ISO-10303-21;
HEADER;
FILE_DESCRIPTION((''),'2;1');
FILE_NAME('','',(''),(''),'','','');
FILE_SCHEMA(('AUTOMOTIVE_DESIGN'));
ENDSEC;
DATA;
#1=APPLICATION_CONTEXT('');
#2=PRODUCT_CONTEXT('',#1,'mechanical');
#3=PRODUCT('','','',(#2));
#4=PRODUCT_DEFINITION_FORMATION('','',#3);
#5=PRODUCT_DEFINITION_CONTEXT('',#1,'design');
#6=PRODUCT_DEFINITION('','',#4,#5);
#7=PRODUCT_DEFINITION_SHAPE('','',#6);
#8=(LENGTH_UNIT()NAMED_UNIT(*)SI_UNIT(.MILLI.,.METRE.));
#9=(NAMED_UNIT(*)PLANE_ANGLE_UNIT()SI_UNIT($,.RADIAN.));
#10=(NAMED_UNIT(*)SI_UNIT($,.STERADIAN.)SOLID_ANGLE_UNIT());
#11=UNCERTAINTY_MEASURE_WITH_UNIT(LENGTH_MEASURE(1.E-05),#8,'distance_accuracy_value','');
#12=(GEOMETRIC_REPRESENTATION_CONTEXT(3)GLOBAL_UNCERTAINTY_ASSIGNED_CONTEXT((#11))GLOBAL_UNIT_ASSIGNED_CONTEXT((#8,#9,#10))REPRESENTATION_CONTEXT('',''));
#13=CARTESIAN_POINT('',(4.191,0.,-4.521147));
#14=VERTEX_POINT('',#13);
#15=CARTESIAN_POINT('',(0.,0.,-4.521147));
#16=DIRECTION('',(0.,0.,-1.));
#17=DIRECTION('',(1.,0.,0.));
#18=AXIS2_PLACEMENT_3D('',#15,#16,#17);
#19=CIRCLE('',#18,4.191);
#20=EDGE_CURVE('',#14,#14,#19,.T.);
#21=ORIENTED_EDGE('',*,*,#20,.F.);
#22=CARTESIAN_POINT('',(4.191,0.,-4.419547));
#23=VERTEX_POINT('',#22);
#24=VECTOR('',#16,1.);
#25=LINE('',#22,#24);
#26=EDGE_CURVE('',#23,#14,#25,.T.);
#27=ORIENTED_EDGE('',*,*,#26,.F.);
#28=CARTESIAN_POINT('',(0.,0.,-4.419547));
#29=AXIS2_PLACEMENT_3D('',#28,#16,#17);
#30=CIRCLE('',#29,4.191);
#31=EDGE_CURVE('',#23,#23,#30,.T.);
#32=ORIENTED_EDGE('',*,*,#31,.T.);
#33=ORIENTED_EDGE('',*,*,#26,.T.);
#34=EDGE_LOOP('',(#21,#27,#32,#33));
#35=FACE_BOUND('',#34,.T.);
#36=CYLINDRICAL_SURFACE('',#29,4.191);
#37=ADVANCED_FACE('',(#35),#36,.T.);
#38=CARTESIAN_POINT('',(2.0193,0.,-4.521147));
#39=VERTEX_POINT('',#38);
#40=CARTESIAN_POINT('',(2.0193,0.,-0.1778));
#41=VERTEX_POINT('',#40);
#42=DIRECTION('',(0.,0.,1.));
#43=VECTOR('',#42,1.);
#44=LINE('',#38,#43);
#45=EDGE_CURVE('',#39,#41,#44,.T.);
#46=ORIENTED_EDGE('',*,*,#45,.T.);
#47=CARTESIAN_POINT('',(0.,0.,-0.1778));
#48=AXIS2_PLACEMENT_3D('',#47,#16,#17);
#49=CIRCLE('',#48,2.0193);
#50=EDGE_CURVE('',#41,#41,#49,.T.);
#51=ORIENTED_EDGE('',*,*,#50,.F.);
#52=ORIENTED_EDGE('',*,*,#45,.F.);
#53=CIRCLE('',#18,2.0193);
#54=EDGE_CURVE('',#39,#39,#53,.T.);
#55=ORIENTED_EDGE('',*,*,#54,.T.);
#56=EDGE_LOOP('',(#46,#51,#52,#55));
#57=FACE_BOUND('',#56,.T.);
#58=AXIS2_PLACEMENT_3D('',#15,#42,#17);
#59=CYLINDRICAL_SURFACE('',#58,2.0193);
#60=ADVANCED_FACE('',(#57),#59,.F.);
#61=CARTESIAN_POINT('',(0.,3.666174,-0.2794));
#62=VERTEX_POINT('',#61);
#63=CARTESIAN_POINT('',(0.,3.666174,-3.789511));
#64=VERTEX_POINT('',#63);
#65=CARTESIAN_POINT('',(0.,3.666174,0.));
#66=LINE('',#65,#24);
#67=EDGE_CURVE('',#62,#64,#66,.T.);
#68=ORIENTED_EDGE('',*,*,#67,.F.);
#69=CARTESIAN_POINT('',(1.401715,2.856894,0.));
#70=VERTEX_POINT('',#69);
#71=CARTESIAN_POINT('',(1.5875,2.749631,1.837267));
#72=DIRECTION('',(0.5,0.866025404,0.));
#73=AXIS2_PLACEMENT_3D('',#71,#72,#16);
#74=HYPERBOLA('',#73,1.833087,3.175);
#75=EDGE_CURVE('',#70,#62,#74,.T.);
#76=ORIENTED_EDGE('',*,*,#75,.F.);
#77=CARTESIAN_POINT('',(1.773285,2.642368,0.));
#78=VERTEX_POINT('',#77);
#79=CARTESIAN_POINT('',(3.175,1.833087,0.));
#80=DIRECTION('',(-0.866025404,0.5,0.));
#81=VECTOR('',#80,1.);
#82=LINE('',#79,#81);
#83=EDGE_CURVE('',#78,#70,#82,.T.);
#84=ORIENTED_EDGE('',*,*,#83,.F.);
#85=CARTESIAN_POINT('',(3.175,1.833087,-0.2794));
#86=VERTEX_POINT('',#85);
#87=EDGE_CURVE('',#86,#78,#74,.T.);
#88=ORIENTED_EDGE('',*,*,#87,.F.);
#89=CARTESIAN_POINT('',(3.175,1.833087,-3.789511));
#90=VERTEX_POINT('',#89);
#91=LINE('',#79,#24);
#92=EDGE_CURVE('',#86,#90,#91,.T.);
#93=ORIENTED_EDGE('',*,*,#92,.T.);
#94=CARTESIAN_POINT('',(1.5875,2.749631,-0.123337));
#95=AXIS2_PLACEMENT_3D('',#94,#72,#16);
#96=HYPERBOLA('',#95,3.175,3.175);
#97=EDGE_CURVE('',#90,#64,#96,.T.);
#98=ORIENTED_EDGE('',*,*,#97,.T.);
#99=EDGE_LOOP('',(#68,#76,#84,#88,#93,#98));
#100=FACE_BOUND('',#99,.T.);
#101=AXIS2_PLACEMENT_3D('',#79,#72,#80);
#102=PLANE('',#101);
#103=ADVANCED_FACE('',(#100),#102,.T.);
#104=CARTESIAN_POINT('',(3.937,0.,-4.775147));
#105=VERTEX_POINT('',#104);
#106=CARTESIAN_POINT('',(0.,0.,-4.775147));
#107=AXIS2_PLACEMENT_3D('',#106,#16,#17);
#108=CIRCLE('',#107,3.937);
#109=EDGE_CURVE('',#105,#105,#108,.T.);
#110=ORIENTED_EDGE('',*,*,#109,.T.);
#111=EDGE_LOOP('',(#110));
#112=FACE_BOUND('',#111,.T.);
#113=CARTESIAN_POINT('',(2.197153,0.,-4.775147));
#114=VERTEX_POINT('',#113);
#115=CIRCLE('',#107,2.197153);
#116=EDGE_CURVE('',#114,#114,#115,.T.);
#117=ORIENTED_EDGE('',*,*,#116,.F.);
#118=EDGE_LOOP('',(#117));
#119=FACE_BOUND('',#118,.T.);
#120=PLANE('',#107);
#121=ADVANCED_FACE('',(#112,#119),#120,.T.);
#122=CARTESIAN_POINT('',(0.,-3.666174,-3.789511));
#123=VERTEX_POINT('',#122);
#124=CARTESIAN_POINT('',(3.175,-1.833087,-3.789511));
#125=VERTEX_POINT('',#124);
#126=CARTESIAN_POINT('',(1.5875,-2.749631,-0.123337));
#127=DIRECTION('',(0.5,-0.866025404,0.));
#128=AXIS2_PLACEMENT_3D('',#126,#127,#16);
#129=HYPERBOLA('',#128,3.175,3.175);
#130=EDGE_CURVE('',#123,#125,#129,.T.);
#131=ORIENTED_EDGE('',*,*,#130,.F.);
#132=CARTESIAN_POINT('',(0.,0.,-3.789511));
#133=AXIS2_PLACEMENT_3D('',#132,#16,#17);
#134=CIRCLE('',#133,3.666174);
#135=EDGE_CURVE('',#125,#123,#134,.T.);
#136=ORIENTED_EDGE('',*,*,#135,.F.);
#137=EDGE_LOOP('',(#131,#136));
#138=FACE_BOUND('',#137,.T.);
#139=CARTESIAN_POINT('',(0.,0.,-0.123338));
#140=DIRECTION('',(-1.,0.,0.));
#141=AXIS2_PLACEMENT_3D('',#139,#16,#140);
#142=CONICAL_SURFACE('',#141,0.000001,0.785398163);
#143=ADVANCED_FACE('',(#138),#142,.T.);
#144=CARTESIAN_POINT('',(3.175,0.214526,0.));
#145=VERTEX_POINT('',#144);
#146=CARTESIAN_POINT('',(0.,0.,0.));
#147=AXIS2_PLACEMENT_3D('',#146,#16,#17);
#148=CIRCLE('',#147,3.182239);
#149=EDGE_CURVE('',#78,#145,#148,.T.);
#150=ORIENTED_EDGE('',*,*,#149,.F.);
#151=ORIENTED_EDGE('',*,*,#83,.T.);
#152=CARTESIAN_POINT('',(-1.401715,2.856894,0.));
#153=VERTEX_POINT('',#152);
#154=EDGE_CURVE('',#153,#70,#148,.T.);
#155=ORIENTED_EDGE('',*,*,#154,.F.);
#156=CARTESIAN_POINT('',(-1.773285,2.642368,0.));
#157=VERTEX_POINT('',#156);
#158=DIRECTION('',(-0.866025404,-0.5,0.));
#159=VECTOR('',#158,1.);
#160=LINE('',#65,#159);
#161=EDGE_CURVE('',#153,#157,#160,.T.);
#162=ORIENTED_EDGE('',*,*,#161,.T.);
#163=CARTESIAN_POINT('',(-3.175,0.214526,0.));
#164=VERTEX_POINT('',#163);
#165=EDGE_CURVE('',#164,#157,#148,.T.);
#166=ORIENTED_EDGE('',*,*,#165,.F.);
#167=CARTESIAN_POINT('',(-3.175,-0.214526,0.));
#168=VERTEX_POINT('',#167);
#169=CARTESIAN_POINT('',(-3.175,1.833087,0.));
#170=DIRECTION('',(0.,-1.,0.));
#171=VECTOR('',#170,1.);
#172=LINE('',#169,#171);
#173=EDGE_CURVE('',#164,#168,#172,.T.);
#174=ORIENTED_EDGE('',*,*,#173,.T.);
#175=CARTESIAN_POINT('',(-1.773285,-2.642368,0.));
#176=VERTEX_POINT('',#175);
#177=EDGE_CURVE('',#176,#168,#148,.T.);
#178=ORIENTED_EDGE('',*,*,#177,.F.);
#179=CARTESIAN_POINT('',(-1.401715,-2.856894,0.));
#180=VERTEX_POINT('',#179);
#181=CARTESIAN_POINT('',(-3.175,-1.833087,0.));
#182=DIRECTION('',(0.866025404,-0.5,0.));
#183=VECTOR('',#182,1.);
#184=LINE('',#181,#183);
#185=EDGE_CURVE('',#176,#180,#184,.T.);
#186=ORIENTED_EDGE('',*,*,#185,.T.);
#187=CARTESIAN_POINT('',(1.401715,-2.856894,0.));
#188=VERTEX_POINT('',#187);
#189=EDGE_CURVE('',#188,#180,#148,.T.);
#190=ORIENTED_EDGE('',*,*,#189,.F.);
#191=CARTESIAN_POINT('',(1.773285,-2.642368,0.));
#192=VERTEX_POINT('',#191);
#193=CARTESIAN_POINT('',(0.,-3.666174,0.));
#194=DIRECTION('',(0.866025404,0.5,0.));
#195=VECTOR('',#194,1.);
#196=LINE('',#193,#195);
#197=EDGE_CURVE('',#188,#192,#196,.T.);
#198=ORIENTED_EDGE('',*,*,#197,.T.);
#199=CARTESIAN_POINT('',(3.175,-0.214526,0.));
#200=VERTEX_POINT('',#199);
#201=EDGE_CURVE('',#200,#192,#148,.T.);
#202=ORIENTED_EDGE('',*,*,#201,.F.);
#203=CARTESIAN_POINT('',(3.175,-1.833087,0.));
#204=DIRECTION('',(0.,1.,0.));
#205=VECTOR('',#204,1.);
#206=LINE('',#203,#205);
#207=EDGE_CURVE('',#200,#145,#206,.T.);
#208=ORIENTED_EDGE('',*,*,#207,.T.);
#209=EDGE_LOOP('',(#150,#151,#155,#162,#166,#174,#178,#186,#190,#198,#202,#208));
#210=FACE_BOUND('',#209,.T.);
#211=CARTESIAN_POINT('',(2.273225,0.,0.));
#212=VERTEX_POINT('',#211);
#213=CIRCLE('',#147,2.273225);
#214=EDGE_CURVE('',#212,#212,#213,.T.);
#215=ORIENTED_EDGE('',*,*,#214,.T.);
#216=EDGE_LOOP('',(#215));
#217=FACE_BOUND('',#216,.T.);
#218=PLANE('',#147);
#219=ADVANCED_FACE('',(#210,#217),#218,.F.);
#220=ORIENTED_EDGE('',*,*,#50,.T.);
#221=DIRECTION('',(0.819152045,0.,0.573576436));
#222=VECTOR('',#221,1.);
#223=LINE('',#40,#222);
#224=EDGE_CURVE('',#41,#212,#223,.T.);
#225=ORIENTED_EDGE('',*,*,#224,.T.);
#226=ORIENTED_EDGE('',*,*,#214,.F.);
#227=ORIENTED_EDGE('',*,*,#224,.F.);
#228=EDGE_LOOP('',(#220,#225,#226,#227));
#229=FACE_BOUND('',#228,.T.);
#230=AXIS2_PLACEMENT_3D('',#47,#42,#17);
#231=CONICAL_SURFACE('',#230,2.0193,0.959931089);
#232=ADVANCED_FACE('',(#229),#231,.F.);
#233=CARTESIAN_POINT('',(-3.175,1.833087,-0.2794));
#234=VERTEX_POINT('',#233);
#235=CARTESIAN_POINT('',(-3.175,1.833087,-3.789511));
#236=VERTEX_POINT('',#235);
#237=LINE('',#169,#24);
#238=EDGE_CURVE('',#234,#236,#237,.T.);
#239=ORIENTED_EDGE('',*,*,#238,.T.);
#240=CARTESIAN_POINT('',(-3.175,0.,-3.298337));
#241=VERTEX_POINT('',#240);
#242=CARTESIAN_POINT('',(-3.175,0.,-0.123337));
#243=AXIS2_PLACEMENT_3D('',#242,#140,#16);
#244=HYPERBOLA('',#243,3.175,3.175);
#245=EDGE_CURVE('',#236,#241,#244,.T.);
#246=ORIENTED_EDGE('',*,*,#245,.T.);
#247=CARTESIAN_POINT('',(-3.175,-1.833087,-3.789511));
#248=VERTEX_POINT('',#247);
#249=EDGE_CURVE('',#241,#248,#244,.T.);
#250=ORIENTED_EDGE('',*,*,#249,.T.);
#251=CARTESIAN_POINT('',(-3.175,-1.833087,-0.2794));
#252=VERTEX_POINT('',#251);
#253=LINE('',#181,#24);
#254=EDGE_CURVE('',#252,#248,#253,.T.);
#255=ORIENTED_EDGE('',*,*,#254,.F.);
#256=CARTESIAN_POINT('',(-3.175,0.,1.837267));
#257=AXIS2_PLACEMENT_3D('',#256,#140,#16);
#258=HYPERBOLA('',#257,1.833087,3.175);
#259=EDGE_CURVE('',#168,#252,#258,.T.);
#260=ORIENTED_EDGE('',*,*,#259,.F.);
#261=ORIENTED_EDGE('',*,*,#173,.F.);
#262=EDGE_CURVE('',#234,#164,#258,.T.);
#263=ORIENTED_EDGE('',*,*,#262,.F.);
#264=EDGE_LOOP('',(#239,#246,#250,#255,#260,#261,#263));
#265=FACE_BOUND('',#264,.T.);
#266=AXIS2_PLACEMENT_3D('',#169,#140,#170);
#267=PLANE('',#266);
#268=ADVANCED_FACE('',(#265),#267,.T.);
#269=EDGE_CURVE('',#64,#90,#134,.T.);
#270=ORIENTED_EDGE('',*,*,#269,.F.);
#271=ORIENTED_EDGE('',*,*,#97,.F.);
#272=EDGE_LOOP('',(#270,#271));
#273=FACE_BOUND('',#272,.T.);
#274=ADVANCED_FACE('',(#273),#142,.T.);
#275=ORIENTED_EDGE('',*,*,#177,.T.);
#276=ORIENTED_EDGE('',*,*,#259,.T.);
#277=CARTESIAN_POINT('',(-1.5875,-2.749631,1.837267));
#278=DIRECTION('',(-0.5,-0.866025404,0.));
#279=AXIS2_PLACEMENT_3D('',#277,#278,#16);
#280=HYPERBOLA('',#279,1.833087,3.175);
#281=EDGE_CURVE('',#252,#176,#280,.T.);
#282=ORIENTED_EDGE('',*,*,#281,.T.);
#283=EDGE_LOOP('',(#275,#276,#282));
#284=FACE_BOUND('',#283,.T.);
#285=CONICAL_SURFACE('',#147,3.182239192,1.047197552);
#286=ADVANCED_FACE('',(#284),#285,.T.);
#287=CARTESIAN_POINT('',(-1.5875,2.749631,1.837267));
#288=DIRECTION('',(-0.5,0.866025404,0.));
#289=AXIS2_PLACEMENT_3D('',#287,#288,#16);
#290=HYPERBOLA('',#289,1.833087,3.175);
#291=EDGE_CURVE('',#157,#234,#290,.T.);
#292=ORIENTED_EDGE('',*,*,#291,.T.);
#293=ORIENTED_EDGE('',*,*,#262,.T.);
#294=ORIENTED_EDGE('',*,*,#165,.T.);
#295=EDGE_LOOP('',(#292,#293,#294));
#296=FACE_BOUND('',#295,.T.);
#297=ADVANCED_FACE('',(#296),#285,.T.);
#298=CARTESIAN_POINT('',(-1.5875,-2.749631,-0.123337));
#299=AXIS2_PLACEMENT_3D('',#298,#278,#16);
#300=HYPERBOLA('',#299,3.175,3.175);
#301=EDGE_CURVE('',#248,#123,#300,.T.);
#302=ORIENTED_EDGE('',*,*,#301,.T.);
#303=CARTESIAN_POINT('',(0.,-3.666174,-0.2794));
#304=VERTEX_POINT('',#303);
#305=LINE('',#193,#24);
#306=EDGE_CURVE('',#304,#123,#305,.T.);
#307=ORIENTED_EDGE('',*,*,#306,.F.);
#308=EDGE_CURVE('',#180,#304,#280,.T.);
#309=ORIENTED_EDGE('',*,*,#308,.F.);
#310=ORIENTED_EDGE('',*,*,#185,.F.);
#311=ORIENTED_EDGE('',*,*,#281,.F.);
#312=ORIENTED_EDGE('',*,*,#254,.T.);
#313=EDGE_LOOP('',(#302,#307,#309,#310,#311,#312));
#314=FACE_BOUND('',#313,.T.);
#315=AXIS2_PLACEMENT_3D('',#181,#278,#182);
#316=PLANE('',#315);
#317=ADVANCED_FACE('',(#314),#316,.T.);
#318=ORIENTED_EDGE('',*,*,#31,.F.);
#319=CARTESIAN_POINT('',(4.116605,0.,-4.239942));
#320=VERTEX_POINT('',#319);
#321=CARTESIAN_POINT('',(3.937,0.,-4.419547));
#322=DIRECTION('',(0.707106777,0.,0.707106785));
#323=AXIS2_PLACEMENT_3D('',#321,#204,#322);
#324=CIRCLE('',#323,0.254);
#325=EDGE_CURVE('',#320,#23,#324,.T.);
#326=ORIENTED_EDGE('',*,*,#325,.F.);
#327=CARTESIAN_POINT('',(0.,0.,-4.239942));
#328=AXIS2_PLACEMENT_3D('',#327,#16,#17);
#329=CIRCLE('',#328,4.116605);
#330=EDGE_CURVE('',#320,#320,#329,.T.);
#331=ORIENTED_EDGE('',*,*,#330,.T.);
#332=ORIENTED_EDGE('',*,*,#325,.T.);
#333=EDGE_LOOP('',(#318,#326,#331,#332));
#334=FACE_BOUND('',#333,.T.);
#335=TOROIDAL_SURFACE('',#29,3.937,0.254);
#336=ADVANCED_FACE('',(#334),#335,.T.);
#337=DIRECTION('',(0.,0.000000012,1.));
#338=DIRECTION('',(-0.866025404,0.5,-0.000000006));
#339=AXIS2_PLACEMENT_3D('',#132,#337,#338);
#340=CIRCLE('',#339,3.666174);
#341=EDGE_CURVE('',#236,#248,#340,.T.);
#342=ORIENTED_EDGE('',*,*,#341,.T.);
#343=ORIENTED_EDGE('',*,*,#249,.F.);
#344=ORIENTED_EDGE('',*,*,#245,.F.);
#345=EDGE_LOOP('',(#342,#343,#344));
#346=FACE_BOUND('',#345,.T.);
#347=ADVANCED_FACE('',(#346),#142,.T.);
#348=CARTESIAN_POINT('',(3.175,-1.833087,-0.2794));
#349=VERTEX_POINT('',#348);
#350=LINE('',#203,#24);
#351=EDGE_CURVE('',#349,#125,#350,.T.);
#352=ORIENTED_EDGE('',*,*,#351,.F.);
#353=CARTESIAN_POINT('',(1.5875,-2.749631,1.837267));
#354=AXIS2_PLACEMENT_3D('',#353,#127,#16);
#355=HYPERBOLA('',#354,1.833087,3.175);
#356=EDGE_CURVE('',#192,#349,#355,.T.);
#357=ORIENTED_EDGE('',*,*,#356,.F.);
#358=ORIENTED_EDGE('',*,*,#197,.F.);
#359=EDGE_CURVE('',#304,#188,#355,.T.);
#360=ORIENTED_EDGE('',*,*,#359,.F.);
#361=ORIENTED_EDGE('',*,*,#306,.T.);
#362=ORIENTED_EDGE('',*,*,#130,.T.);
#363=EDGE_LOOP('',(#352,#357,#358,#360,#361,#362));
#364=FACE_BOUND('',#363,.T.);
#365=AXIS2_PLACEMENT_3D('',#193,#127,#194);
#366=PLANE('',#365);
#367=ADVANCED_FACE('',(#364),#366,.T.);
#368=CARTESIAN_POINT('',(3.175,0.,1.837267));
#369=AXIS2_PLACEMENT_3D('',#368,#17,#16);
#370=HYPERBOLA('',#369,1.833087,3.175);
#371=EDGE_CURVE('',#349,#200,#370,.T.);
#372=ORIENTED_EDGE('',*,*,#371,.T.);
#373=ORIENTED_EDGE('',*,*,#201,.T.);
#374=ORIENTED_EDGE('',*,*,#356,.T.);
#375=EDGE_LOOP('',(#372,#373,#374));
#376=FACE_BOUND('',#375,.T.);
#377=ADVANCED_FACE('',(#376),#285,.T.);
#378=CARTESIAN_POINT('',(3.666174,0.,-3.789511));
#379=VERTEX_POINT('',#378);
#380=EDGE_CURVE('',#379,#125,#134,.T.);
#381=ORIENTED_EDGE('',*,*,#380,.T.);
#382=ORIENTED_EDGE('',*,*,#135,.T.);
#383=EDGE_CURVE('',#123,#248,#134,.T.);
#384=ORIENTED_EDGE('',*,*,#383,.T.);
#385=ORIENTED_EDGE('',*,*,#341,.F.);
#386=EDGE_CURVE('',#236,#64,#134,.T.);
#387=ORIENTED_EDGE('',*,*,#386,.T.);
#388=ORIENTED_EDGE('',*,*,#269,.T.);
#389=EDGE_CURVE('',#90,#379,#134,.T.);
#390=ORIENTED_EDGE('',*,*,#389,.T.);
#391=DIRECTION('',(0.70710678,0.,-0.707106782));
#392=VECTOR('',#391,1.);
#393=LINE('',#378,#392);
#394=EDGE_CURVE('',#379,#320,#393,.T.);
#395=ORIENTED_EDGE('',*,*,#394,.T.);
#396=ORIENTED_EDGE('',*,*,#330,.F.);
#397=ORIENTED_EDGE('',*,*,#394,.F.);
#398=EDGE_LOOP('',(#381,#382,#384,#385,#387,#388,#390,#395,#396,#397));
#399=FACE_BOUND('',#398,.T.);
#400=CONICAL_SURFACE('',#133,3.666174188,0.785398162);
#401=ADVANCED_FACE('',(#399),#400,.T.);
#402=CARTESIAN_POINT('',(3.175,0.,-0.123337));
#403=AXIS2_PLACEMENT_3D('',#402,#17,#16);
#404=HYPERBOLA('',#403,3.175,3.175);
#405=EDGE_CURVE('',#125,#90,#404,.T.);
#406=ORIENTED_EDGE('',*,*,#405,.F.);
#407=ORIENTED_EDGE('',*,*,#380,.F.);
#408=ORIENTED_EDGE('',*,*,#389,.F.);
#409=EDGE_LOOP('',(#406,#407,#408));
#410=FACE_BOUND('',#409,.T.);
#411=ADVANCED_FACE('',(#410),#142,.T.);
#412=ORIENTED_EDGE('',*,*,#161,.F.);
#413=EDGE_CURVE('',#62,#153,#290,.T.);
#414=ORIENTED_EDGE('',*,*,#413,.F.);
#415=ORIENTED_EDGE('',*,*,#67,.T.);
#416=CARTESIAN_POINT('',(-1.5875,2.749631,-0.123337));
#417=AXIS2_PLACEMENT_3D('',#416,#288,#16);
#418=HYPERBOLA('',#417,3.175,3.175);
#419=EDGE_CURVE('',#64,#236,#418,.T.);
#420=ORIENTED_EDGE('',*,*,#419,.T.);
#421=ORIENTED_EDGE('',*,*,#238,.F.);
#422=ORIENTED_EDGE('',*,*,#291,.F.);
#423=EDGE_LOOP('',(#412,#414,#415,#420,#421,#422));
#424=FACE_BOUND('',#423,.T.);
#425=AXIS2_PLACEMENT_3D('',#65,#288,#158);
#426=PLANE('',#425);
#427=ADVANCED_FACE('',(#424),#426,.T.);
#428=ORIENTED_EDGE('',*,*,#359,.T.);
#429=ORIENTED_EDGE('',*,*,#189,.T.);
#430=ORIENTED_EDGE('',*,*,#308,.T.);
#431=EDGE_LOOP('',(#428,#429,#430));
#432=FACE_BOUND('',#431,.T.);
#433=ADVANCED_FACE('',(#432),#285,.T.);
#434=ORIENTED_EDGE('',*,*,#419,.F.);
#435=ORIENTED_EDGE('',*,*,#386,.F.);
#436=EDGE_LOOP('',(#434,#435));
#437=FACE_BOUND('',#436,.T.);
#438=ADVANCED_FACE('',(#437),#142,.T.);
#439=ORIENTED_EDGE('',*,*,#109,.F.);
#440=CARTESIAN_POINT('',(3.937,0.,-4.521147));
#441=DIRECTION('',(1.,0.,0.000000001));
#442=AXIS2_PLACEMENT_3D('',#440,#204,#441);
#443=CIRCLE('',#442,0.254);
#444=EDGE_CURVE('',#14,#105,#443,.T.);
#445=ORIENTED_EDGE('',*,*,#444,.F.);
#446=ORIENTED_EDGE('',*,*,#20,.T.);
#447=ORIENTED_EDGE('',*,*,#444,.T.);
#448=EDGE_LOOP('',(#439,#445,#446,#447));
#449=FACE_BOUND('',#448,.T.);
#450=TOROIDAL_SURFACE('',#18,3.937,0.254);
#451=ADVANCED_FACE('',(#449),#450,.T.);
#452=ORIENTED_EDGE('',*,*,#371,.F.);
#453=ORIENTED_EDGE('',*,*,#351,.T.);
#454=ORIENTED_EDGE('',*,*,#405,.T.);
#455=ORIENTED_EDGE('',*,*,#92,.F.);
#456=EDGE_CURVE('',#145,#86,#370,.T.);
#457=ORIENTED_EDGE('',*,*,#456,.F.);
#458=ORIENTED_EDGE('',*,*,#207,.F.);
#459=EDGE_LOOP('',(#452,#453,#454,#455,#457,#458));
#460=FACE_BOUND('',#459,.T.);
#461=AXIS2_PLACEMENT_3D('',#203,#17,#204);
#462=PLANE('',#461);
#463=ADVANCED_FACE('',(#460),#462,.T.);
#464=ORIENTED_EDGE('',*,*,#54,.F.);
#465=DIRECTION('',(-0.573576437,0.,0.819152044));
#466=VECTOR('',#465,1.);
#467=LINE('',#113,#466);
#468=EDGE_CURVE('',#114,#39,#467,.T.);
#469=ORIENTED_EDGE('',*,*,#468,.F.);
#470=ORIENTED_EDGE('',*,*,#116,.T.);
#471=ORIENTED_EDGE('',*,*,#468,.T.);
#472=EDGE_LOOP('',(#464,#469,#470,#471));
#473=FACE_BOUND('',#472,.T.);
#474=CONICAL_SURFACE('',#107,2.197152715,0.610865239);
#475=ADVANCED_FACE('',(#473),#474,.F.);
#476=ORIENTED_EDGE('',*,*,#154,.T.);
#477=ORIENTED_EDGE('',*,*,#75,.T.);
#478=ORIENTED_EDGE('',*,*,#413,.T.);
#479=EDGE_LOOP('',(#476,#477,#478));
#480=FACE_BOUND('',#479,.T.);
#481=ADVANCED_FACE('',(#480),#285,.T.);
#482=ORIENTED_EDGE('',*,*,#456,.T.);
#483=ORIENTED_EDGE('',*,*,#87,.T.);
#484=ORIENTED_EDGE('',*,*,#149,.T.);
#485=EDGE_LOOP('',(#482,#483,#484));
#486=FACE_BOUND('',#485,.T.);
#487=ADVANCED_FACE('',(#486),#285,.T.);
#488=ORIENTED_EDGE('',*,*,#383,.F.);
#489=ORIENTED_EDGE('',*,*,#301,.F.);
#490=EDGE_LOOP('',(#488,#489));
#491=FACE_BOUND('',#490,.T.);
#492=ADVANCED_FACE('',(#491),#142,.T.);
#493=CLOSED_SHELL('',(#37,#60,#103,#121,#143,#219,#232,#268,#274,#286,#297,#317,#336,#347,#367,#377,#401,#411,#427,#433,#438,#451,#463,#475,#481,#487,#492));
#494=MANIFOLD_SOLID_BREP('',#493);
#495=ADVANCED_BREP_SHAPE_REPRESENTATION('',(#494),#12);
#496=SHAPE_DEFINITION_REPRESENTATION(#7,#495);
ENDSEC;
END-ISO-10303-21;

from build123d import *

# Parameters (mm, degrees)
C_EXT_HEX_REACH = 9.611
SKETCH2_R       = 3.793174209


with BuildPart() as part:
    # Sketch1 → Revolve1 (revolve)
    with BuildSketch(Plane(origin=(0, 0, 0), x_dir=(0, -1, 0), z_dir=(1, 0, 0)), mode=Mode.PRIVATE) as revolve1_sk:
        with BuildLine():
            Line((2.273224716, 0), (3.182239192, 0))
            Line((3.182239192, 0), (3.666174188, 0.2794))
            Line((3.666174188, 0.2794), (3.666174188, 3.789511232))
            Line((3.666174188, 3.789511232), (4.116605118, 4.239942163))
            ThreePointArc((4.116605118, 4.239942163), (4.171665397, 4.322345693), (4.190999996, 4.419547285))
            Line((4.190999996, 4.419547285), (4.190999996, 4.521147285))
            ThreePointArc((4.190999996, 4.521147285), (4.116605118, 4.700752408), (3.936999996, 4.775147285))
            Line((3.936999996, 4.775147285), (2.197152715, 4.775147285))
            Line((2.197152715, 4.775147285), (2.0193, 4.521147285))
            Line((2.0193, 4.521147285), (2.0193, 0.1778))
            Line((2.0193, 0.1778), (2.273224716, 0))
        make_face()
    revolve(revolve1_sk.sketch.rotate(Axis((0, 0, 0), (0, 0, -1)), 270), axis=Axis((0, 0, 0), (0, 0, -1)))

    # C-Ext Hex: up to this cone (the profile starts outside it)
    c_ext_hex_end = Plane(origin=(0, 0, 0), z_dir=(0, 0, -1)).offset(0.123338045) * Cone(1e-06, 9.987662955, 9.987661955, align=(Align.CENTER, Align.CENTER, Align.MIN), mode=Mode.PRIVATE)
    # Sketch2 → C-Ext Hex (cut, up to the surface)
    with BuildSketch(Plane.XY, mode=Mode.PRIVATE) as c_ext_hex_sk1:
        Circle(SKETCH2_R)
        Polygon((0, 3.666174209), (-3.175, 1.833087105), (-3.175, -1.833087105), (0, -3.666174209), (3.175, -1.833087105), (3.175, 1.833087105), align=None, mode=Mode.SUBTRACT)
    c_ext_hex_tool1 = extrude(c_ext_hex_sk1.sketch, amount=-C_EXT_HEX_REACH, mode=Mode.PRIVATE) - c_ext_hex_end
    add(c_ext_hex_tool1.solids().sort_by_distance((-3.685887, 0, 0))[0], mode=Mode.SUBTRACT)


solid = part.part
